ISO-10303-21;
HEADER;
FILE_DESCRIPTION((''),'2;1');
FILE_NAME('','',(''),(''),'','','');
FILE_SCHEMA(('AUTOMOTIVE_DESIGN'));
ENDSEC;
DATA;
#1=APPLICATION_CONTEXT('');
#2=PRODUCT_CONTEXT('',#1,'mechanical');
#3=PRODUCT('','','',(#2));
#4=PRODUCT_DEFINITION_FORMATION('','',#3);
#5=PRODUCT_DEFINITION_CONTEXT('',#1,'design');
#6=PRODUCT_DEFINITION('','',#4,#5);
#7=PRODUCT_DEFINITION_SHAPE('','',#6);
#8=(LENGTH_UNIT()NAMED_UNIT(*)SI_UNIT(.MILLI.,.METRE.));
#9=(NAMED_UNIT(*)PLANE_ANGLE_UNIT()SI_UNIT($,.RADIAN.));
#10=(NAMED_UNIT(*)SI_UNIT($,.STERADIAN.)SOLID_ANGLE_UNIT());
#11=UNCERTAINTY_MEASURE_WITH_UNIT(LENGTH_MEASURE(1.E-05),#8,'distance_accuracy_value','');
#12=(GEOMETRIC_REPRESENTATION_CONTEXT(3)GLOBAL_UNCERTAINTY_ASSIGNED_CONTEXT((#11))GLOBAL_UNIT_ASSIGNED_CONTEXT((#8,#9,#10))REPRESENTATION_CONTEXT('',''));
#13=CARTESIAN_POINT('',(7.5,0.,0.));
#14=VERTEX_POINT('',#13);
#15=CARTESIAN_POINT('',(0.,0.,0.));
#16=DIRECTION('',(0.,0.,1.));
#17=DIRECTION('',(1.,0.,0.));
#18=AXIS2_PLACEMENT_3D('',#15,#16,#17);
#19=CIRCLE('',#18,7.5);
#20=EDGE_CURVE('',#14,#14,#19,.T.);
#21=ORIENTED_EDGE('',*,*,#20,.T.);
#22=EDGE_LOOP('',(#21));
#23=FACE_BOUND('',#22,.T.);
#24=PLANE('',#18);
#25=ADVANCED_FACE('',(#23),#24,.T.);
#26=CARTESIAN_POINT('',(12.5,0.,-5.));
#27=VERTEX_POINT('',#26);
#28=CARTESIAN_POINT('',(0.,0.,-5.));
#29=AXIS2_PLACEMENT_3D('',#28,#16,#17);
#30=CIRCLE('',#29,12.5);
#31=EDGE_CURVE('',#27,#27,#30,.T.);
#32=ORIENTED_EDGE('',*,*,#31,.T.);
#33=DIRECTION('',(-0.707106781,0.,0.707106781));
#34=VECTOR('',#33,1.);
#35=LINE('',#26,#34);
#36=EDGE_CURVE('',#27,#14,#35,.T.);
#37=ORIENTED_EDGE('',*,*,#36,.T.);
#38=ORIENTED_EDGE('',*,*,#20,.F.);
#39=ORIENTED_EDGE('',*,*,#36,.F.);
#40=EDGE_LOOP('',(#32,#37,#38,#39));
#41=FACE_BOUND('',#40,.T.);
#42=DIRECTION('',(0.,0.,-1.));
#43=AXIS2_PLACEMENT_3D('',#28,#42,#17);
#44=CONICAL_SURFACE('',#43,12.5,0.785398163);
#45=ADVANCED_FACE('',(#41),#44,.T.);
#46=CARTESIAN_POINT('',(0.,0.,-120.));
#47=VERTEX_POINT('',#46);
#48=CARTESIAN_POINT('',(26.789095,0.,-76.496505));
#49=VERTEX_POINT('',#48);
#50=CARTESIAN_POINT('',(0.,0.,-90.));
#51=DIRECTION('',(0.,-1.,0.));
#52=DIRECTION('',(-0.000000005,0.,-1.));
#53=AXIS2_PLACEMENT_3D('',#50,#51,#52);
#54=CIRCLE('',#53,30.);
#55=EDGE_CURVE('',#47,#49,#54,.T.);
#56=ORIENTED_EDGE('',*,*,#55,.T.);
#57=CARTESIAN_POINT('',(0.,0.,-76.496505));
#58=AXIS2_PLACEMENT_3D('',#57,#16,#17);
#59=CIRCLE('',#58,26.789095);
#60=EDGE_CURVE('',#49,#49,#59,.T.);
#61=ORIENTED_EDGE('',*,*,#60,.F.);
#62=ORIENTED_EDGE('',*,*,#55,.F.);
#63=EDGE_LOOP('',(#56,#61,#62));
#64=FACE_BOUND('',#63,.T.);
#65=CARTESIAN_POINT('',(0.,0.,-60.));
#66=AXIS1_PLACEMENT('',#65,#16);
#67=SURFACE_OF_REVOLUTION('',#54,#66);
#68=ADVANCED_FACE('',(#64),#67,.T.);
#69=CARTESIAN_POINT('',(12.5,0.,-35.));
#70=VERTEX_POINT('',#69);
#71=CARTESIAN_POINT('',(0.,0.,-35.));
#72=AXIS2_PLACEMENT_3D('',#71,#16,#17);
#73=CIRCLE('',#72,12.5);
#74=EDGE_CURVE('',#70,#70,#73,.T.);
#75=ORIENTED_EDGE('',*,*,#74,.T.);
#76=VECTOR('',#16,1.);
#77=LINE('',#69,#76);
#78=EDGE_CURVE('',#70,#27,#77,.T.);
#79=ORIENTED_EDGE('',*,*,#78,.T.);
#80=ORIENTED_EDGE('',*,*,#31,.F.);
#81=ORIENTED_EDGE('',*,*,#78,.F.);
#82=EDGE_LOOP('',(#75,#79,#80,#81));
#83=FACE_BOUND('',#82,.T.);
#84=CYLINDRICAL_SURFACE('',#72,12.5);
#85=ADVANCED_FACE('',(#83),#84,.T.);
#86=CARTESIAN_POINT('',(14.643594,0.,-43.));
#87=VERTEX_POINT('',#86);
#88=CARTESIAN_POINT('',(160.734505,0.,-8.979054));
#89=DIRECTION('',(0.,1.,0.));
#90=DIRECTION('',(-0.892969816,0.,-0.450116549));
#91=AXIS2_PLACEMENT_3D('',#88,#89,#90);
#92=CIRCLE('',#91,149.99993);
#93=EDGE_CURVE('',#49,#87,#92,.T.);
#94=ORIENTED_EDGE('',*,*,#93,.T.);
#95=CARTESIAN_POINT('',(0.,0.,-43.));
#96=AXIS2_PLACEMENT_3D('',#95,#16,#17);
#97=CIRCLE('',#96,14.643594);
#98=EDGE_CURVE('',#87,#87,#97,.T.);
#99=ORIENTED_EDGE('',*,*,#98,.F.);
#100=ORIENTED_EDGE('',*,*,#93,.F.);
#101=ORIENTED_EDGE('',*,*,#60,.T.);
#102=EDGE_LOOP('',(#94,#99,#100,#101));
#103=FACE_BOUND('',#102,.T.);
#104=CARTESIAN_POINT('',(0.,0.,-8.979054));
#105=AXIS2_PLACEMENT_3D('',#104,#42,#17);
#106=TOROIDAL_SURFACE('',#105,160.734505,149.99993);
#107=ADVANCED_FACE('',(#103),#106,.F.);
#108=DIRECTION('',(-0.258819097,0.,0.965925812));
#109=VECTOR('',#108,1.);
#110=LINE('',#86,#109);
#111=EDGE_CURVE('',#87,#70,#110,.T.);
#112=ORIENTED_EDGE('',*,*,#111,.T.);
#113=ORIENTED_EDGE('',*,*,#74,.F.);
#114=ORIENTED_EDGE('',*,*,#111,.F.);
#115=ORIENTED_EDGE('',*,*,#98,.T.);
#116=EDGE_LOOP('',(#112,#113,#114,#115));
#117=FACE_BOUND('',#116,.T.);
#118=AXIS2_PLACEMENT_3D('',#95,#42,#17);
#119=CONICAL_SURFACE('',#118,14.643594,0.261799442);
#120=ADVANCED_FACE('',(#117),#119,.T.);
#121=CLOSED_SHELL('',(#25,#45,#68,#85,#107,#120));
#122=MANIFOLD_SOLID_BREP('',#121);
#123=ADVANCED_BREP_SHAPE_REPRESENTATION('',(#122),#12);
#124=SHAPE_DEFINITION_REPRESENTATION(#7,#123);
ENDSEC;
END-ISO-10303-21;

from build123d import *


with BuildPart() as f1:
    # F0 (on Front) → F1 (revolve)
    with BuildSketch(Plane.XZ):
        with BuildLine():
            Line((7.5, 0), (0, 0))
            Line((0, 0), (0, -120))
            ThreePointArc((0, -120), (25.545106, -105.730466), (26.789095, -76.496505))
            ThreePointArc((26.789095, -76.496505), (19.718232, -60.110158), (14.643594, -43))
            Line((14.643594, -43), (12.5, -35))
            Line((12.5, -35), (12.5, -5))
            Line((12.5, -5), (7.5, 0))
        make_face()
    revolve(axis=Axis((0, 0, -60), (0, 0, 1)))


solid = f1.part
